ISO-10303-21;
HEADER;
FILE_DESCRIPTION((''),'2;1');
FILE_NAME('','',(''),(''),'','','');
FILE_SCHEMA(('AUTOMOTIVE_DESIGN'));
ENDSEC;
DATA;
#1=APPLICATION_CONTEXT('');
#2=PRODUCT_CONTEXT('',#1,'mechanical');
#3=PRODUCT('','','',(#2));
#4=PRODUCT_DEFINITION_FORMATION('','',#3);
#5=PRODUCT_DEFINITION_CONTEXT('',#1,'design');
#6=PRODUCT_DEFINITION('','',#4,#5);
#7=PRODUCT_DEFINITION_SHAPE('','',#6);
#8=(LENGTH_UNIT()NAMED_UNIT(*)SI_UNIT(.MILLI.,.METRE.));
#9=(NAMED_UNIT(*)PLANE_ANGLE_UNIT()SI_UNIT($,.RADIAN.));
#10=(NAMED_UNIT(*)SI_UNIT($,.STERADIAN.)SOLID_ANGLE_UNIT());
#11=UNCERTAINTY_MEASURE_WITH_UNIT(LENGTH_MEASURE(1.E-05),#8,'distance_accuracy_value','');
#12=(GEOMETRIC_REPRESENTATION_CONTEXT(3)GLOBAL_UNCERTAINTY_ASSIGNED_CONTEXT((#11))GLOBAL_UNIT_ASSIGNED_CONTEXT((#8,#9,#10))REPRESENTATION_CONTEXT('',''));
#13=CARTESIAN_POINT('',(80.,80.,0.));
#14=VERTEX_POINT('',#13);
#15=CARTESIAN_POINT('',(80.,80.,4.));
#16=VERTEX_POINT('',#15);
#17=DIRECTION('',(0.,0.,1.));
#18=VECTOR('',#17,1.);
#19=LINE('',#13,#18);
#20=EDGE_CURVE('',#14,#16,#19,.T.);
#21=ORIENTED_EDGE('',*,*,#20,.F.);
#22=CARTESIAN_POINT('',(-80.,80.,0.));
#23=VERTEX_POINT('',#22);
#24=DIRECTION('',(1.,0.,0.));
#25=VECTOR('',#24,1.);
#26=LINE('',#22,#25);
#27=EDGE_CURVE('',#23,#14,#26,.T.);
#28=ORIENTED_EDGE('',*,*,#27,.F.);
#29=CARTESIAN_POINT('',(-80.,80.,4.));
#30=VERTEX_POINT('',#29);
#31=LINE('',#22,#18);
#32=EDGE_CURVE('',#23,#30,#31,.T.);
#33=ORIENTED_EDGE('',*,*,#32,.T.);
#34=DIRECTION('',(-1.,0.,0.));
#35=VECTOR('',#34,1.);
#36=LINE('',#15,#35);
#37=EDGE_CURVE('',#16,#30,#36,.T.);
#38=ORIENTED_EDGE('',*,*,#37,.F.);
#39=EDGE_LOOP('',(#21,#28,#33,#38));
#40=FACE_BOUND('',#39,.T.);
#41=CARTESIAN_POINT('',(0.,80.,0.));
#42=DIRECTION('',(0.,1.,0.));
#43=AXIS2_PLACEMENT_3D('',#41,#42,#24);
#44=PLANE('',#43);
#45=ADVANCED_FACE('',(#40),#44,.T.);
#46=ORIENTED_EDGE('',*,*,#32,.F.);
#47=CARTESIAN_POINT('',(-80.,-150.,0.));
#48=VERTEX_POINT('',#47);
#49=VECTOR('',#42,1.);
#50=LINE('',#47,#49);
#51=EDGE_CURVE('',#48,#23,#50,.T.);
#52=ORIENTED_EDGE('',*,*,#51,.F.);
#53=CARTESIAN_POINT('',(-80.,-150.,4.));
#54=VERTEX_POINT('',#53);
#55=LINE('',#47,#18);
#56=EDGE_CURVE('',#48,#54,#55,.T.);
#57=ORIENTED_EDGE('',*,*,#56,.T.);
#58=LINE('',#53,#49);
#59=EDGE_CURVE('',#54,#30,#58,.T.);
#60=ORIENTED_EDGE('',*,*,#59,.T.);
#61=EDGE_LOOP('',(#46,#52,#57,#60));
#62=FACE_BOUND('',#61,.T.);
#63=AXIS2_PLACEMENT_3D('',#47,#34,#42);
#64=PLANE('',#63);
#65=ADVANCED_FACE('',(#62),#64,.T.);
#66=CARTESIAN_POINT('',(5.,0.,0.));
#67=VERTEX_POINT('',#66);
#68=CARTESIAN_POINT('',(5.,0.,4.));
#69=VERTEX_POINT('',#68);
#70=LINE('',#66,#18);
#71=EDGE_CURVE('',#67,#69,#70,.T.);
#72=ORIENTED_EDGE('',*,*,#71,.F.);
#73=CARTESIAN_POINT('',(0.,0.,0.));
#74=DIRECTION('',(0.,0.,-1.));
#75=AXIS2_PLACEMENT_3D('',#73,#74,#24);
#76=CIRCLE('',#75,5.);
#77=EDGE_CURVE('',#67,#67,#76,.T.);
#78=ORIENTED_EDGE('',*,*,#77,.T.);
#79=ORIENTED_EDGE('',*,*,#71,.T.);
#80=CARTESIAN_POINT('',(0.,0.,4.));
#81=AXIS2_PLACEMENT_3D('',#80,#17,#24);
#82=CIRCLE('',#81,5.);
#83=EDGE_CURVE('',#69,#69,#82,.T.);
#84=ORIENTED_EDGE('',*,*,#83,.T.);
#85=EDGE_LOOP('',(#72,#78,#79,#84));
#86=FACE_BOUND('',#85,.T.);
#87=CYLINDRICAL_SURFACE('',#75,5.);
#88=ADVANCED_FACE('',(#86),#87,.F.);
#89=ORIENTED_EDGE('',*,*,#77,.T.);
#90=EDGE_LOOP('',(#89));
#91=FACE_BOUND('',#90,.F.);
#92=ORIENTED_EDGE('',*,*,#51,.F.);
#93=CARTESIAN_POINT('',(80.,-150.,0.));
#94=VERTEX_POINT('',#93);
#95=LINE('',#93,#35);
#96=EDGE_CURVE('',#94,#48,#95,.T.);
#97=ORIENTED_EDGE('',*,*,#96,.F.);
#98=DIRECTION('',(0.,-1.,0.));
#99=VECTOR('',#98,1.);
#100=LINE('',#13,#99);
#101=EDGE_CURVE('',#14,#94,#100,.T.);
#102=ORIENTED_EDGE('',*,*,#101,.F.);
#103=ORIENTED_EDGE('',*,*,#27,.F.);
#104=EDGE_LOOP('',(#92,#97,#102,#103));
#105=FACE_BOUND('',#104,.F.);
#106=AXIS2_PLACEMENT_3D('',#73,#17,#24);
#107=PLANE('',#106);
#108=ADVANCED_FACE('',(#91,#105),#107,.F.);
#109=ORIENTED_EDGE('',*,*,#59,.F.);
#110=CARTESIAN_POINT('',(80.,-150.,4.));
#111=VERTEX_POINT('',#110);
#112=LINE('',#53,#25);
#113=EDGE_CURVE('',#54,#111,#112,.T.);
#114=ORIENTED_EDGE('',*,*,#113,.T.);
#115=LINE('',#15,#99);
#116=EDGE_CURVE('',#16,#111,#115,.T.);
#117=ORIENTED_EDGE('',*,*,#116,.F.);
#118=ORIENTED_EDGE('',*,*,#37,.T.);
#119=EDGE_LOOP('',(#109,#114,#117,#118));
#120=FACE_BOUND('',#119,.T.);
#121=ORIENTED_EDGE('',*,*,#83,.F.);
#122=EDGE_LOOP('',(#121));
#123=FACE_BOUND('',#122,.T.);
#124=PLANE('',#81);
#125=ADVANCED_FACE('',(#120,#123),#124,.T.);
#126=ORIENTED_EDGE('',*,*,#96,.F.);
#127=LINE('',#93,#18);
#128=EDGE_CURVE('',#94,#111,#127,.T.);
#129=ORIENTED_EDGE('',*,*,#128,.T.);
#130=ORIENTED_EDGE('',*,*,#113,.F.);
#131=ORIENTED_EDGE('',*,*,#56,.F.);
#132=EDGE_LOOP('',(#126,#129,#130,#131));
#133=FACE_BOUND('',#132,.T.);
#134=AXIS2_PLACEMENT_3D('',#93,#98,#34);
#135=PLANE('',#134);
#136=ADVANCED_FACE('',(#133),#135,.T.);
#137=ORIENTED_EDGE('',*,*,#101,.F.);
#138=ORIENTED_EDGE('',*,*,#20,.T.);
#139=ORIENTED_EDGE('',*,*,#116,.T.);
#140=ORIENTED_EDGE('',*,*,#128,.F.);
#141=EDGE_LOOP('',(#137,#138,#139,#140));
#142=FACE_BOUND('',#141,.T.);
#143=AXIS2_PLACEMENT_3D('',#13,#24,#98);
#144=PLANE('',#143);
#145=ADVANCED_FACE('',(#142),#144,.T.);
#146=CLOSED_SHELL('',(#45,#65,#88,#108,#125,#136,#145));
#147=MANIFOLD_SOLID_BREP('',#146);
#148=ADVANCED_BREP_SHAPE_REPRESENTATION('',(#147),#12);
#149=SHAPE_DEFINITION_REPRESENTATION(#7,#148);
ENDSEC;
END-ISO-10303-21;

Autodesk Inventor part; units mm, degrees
ref_plane "YZ Plane" through (0, 0, 0) normal (1, 0, 0) x (0, 1, 0)
ref_plane "XZ Plane" through (0, 0, 0) normal (0, 1, 0) x (-1, 0, 0)
ref_plane "XY Plane" through (0, 0, 0) normal (0, 0, 1) x (1, 0, 0)
sketch "Boceto1" plane through (0, 0, 0) normal (0, 0, 1) x (1, 0, 0)
  circle A0 centre (0, 0) radius 5
  line L0 (0, 0) -> (0, -150)
  line L1 (0, 0) -> (0, 80)
  line L2 (0, 80) -> (80, 80)
  line L3 (80, 80) -> (80, -150)
  line L4 (80, -150) -> (-80, -150)
  line L5 (-80, -150) -> (-80, 80)
  line L6 (-80, 80) -> (0, 80)
  dimension "d0" = 10
  dimension "d1" = 150
  dimension "d2" = 80
  dimension "d3" = 80
  dimension "d4" = 160
extrude "Extrusión1" add sketch "Boceto1" along normal blind 4 contours A0 L1 L2 L3 L4 L0 | A0 L0 L4 L5 L6 L1
properties part number "base" material "Madera (abedul)"
